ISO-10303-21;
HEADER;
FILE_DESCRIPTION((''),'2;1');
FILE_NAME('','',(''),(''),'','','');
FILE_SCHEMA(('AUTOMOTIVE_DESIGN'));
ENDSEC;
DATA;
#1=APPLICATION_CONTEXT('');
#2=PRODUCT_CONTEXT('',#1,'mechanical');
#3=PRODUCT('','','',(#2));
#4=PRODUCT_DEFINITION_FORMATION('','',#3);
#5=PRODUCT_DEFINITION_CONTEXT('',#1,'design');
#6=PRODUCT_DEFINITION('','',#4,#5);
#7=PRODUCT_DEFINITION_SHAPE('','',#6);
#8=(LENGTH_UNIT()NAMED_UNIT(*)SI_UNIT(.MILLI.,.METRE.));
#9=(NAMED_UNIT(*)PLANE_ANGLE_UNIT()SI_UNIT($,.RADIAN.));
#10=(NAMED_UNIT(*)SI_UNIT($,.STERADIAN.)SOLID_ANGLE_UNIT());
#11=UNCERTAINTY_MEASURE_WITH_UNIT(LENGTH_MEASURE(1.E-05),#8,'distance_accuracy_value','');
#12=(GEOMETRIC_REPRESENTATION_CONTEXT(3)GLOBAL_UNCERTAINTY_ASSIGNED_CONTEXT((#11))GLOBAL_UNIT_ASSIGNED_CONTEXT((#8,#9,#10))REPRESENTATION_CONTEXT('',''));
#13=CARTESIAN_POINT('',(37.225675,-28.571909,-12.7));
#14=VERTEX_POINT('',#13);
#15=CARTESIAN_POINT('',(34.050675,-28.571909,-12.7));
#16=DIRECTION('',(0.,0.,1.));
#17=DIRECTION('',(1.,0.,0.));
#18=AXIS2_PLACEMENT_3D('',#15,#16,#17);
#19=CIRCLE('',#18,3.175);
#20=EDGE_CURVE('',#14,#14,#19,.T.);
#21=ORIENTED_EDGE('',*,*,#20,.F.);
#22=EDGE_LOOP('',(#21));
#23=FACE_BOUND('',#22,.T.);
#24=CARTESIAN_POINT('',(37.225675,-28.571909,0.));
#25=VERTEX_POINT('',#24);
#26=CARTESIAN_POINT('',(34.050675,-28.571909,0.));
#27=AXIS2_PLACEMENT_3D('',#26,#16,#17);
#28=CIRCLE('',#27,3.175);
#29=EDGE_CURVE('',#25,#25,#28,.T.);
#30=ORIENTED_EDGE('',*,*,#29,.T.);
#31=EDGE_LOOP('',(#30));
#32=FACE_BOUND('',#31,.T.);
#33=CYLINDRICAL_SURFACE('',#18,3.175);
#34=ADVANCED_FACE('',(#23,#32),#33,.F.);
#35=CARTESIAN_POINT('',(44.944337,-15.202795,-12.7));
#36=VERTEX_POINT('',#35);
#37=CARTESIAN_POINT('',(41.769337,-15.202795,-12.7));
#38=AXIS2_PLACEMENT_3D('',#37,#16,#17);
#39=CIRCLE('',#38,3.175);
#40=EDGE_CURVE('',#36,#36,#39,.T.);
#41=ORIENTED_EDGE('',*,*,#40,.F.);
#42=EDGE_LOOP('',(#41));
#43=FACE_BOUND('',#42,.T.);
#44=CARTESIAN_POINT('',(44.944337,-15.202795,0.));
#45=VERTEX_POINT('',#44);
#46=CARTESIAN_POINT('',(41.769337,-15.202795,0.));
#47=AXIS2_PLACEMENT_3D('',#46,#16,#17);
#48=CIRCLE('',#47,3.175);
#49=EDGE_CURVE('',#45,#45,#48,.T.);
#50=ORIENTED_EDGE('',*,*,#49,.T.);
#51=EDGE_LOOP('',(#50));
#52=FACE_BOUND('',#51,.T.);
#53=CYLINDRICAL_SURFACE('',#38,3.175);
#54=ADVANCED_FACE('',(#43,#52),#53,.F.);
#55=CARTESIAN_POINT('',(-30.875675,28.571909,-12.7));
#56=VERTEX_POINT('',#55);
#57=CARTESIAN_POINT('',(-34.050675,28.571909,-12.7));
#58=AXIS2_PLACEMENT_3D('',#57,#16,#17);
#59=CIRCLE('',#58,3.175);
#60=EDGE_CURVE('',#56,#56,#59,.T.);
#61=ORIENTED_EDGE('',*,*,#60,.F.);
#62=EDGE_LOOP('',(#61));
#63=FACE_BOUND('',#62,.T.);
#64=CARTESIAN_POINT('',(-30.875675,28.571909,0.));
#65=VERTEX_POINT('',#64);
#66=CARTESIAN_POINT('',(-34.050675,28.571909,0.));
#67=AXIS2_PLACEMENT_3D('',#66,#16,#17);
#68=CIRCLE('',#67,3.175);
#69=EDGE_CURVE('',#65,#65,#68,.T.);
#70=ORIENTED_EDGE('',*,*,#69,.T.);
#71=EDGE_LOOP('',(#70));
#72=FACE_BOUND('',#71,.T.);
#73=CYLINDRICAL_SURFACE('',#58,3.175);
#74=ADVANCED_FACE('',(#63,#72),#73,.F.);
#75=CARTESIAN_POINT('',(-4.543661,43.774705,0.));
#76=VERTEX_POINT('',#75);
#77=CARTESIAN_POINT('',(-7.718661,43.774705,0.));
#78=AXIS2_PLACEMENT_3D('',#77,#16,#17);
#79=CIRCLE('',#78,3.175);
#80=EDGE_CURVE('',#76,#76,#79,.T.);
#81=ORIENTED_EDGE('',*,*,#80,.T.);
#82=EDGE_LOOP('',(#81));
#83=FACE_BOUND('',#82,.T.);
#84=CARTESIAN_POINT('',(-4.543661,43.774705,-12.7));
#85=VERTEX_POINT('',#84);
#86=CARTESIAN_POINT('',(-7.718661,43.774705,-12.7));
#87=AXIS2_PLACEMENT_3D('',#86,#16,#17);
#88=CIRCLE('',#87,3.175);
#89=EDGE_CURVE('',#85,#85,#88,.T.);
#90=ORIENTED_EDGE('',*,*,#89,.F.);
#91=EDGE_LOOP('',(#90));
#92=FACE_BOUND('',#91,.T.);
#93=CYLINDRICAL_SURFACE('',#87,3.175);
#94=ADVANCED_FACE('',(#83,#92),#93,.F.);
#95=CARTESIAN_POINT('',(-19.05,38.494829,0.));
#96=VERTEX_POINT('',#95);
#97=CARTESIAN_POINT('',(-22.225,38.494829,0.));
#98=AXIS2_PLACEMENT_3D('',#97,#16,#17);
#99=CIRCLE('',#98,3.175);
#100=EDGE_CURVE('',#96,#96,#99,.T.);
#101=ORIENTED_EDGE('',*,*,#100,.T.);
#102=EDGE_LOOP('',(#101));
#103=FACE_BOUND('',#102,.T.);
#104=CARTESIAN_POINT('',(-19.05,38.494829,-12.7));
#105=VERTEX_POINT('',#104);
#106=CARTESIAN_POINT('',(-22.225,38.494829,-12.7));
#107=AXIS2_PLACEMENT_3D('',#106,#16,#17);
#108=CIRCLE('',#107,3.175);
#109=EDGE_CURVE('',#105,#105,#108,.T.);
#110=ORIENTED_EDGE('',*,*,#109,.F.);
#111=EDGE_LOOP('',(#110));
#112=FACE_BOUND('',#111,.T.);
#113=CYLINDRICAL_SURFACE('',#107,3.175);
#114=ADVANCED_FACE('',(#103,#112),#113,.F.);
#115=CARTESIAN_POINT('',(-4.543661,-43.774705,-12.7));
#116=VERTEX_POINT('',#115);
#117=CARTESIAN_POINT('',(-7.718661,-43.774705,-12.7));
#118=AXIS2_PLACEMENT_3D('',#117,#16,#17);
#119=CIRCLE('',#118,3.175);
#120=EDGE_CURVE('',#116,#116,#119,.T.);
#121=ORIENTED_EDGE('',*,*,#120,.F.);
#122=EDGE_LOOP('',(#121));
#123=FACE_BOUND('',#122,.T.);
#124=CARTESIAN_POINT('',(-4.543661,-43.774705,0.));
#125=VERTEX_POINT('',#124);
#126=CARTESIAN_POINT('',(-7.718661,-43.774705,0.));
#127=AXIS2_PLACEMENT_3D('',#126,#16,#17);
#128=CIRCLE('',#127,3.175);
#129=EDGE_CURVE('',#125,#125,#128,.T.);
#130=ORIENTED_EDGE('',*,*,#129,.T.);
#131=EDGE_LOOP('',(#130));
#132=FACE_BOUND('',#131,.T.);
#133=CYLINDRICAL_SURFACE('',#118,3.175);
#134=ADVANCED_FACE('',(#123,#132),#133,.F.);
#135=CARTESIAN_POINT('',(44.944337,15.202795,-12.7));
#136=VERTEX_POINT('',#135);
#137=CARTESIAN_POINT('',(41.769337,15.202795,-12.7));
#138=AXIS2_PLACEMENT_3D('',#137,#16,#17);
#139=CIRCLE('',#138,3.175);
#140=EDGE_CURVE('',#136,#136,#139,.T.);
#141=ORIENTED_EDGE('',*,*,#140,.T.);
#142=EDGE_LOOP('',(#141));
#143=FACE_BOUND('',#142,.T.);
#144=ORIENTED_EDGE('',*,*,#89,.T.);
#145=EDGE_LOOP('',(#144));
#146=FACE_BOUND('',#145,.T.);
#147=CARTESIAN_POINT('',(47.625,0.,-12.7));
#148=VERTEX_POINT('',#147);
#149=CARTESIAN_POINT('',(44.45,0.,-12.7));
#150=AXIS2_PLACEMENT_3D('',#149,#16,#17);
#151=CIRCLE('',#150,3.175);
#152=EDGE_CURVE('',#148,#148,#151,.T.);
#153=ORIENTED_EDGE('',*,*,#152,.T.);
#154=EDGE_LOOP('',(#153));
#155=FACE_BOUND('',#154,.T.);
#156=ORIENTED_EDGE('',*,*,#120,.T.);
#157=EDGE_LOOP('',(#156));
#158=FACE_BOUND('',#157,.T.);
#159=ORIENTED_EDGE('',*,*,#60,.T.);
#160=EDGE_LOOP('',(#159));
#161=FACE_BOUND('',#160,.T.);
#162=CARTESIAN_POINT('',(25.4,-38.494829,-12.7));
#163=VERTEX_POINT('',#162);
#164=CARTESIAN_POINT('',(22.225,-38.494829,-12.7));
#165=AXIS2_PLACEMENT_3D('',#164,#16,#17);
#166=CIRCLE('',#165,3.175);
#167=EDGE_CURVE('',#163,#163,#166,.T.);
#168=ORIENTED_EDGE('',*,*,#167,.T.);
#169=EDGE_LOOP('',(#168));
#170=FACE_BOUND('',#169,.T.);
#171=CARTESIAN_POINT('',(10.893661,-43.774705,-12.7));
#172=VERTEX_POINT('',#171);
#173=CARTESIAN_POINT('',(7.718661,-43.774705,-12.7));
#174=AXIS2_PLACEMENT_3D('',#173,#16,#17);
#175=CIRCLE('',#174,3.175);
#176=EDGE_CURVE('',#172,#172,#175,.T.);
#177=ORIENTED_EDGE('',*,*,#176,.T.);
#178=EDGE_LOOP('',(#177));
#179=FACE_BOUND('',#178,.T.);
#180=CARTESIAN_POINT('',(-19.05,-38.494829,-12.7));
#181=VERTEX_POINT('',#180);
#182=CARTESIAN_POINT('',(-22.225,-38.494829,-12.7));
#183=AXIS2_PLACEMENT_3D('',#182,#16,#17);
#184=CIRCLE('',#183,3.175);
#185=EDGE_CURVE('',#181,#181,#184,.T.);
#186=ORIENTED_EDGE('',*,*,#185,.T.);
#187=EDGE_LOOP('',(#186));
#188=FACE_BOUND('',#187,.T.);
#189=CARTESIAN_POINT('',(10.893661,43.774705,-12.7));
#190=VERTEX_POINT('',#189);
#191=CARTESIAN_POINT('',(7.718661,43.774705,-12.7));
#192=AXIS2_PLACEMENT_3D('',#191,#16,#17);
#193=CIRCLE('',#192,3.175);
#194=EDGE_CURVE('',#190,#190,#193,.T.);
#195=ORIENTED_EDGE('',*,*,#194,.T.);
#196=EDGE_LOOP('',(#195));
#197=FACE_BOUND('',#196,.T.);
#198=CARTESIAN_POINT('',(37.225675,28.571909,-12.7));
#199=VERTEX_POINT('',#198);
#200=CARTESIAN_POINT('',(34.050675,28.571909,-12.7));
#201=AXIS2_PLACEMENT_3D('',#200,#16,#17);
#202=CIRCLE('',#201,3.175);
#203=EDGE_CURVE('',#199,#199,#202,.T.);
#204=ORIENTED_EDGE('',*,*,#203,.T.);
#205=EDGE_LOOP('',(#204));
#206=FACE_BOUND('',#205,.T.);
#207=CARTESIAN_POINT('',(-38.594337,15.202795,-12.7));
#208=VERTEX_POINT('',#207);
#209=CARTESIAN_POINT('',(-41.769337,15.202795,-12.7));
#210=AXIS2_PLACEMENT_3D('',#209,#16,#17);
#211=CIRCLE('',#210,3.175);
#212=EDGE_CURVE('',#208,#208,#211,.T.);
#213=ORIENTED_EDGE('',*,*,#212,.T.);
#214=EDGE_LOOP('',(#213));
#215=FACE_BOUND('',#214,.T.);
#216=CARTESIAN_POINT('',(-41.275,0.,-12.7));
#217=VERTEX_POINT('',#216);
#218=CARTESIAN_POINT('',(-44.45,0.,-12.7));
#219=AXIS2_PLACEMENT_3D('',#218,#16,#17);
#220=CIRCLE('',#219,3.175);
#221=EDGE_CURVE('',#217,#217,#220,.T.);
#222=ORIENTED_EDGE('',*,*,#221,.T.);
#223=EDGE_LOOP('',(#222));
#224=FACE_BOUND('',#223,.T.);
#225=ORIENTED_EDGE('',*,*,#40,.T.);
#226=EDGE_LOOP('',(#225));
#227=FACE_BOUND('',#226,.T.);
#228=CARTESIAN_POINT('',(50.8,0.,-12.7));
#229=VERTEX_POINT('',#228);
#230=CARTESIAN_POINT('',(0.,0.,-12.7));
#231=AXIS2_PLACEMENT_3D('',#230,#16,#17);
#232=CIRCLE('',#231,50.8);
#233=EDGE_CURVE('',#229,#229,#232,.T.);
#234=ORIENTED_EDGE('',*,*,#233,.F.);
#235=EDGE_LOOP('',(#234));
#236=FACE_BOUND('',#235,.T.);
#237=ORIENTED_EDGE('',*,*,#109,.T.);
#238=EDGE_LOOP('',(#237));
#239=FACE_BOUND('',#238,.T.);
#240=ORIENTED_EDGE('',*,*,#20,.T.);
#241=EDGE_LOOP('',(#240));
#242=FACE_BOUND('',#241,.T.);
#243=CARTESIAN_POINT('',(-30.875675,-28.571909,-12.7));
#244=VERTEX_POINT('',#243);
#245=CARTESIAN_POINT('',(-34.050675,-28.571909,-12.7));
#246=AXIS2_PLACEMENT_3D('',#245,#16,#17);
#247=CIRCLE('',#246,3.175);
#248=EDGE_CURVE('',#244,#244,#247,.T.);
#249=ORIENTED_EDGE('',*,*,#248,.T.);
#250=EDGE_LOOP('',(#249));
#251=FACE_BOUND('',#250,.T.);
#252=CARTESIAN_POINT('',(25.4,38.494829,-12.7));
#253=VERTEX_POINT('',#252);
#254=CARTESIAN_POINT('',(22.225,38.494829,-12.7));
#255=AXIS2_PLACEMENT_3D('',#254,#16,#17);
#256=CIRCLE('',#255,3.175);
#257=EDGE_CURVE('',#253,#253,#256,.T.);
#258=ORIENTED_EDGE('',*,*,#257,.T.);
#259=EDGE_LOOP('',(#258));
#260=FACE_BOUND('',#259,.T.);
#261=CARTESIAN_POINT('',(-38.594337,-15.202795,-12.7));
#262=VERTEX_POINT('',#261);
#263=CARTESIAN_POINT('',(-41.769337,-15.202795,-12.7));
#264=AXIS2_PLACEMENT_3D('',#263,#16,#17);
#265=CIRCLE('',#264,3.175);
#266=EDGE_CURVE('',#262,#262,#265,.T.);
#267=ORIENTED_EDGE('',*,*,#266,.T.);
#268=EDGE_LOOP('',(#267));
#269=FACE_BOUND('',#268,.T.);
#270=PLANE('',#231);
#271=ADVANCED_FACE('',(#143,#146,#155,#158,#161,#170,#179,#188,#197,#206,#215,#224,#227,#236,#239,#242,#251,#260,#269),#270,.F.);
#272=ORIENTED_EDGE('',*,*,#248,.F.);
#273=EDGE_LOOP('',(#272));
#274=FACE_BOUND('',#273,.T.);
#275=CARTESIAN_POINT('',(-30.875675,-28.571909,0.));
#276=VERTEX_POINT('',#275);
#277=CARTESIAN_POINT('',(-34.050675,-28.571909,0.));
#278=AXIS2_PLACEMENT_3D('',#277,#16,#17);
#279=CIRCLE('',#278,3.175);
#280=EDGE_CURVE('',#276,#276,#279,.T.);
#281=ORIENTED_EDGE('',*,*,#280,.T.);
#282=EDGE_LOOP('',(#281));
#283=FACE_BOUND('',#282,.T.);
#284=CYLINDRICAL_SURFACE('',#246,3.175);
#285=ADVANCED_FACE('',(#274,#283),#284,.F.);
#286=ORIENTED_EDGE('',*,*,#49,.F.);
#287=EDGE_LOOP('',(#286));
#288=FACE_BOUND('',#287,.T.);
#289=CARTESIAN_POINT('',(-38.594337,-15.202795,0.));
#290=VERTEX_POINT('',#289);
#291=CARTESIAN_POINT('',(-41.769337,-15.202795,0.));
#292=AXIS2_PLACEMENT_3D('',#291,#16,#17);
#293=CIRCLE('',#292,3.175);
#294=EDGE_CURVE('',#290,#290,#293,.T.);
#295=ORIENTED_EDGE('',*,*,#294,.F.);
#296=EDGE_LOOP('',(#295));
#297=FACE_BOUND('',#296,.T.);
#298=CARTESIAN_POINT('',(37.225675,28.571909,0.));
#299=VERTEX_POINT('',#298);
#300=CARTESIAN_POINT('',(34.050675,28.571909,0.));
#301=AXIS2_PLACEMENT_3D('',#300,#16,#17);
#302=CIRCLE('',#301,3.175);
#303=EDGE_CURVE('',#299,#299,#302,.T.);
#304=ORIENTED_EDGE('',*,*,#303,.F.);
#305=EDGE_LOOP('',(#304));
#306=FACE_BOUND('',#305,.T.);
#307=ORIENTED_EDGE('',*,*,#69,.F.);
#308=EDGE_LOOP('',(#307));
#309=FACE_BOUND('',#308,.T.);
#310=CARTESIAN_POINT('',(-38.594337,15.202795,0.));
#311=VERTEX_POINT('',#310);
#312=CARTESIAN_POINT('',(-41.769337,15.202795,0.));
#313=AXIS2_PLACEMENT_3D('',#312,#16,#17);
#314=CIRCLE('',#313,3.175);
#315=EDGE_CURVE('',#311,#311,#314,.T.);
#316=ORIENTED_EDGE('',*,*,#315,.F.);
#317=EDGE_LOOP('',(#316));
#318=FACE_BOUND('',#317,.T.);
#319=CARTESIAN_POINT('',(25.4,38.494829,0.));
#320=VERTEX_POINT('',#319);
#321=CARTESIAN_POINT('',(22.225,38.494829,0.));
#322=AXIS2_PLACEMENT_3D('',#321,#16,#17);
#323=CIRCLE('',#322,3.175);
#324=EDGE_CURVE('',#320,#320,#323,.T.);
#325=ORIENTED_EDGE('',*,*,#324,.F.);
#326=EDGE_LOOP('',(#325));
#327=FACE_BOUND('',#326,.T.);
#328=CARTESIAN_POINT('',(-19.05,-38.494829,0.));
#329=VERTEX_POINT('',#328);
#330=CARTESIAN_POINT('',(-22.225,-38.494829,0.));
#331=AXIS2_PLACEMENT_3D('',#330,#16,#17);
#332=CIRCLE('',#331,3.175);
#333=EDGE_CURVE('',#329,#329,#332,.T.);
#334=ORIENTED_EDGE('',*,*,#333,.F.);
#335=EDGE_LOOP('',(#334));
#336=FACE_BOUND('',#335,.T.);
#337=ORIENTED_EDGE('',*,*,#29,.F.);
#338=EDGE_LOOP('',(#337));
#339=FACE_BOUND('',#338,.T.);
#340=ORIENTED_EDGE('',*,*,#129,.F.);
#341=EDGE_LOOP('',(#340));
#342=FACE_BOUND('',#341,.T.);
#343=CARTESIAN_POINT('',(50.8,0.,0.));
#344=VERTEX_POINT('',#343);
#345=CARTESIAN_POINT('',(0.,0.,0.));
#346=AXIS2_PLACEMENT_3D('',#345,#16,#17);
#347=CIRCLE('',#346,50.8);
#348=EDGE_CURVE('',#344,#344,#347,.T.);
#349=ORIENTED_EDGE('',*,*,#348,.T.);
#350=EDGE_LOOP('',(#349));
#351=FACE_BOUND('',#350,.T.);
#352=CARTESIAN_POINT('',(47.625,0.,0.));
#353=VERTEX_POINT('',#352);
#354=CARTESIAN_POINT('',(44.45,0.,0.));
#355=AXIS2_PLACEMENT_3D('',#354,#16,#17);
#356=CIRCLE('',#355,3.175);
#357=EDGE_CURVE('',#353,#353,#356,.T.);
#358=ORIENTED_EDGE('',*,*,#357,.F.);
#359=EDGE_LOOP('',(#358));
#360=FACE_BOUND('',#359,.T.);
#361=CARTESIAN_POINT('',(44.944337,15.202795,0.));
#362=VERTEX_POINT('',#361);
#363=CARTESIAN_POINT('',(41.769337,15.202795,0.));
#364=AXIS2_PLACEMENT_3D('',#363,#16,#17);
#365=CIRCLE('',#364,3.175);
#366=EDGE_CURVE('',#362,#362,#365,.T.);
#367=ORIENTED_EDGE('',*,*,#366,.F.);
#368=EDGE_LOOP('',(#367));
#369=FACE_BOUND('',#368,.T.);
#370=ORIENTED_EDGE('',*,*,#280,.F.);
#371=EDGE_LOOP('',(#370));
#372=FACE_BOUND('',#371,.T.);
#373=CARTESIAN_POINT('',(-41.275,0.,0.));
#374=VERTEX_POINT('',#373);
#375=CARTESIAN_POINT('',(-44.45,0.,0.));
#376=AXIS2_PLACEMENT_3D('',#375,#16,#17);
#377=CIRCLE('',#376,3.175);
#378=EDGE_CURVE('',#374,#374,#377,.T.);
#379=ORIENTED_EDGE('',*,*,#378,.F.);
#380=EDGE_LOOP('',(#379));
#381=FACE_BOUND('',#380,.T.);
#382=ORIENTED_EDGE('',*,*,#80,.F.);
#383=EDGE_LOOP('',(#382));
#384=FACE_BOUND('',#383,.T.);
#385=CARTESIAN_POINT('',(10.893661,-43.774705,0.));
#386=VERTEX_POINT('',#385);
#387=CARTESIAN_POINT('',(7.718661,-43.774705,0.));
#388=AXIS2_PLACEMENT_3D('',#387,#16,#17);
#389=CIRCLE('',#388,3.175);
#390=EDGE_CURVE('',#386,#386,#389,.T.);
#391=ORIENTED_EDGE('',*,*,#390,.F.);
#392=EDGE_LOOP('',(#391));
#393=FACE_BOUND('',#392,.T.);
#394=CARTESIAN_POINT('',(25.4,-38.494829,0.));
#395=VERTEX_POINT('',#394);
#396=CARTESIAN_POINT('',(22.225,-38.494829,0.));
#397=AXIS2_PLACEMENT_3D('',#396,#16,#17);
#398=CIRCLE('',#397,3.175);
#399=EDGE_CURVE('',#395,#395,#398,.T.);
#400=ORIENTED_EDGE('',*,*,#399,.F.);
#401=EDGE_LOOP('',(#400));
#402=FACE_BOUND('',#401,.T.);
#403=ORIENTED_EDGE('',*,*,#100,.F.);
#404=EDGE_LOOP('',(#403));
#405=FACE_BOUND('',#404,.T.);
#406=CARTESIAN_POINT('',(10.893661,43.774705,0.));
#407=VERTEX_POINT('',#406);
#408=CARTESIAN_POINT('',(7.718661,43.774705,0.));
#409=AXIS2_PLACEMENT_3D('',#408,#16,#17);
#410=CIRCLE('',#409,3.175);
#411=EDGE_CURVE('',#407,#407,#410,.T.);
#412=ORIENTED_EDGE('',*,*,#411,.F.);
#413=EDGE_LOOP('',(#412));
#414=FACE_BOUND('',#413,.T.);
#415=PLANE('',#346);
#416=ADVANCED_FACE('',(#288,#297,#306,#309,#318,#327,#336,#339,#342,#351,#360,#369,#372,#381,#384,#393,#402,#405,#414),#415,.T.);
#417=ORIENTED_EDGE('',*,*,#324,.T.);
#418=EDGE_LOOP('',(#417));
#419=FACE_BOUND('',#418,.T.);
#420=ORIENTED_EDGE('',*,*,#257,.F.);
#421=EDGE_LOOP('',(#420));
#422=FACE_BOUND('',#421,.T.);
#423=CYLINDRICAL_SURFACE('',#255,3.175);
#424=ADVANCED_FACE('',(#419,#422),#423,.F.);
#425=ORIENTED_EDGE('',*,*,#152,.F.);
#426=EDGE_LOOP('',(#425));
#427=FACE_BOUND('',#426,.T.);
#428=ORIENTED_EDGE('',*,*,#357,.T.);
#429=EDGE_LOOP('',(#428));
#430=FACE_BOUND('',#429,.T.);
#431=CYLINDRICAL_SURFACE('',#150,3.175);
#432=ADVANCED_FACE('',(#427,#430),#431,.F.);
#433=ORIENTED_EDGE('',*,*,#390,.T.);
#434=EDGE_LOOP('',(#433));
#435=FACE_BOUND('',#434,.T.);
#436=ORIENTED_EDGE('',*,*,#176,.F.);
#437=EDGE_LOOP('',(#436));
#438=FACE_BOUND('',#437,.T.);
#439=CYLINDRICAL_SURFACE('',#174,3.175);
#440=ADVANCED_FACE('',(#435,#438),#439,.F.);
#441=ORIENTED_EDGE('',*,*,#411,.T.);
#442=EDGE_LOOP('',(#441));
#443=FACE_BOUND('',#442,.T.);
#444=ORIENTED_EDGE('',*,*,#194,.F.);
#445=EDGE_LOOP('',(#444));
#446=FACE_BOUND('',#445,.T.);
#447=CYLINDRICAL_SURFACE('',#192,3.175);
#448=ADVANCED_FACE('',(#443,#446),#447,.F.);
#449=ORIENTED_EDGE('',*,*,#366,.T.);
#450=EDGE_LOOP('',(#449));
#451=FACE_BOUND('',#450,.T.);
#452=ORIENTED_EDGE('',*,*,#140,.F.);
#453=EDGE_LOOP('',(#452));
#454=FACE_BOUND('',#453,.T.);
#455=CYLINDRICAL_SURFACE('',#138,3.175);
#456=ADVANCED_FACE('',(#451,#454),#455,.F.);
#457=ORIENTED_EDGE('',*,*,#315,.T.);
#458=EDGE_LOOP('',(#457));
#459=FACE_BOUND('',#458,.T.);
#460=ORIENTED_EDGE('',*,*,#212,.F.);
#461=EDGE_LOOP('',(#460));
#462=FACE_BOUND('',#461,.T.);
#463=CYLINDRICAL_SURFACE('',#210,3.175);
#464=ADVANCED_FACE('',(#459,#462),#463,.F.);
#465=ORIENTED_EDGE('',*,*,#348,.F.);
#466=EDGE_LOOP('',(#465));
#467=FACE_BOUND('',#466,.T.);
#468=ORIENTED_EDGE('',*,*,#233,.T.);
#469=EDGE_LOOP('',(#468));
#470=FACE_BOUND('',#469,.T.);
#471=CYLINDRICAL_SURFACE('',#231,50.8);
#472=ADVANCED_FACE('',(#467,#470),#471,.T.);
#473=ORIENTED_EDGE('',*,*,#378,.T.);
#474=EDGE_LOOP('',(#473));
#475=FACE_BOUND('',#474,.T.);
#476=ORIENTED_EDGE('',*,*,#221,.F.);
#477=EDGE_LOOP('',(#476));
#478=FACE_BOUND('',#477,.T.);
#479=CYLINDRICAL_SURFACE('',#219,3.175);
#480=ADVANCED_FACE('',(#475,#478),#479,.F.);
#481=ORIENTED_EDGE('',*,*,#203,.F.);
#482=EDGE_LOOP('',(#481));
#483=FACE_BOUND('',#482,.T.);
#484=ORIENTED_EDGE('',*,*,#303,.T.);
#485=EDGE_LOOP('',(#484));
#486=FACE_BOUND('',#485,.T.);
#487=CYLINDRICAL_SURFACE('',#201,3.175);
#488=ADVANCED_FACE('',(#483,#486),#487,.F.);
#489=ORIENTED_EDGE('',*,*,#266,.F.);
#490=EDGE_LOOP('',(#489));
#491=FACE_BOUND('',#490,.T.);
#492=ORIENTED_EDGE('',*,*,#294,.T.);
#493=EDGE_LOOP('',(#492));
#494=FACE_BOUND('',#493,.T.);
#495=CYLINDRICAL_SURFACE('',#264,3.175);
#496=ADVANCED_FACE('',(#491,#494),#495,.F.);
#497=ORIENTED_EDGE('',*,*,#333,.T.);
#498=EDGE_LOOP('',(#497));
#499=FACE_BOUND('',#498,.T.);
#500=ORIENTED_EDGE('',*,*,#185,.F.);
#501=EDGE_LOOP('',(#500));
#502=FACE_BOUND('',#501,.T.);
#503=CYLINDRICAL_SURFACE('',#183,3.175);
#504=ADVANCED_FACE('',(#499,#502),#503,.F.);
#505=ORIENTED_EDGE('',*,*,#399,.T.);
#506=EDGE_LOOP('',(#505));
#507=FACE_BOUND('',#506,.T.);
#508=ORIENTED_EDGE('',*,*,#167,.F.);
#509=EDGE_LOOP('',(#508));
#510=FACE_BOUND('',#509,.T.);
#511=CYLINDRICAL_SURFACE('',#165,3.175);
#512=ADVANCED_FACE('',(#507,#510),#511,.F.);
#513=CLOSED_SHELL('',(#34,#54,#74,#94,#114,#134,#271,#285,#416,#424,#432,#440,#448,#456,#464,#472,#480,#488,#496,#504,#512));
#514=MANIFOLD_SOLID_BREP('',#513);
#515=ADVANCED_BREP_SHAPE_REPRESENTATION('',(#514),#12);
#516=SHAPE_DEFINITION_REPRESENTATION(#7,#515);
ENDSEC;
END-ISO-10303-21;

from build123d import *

# Parameters (mm, degrees)
SKETCH1_R           = 50.8
BOSS_EXTRUDE2_DEPTH = 12.7
SKETCH1_7_R         = 3.175
CUT_EXTRUDE1_DEPTH  = 12.7


with BuildPart() as part:
    # Sketch1 → Boss-Extrude2 (new body)
    with BuildSketch(Plane.XY):
        Circle(SKETCH1_R)
    extrude(amount=-BOSS_EXTRUDE2_DEPTH)

    # Sketch1<7> → Cut-Extrude1 (cut)
    with BuildSketch(Plane.XY):
        with Locations((-44.45, 0)):
            Circle(SKETCH1_7_R)
        with Locations((-41.769336994, 15.202795371)):
            Circle(SKETCH1_7_R)
        with Locations((-34.050675497, 28.571909251)):
            Circle(SKETCH1_7_R)
        with Locations((-22.225, 38.494829198)):
            Circle(SKETCH1_7_R)
        with Locations((-7.718661497, 43.774704621)):
            Circle(SKETCH1_7_R)
        with Locations((7.718661497, 43.774704621)):
            Circle(SKETCH1_7_R)
        with Locations((22.225, 38.494829198)):
            Circle(SKETCH1_7_R)
        with Locations((34.050675497, 28.571909251)):
            Circle(SKETCH1_7_R)
        with Locations((41.769336994, 15.202795371)):
            Circle(SKETCH1_7_R)
        with Locations((44.45, 0)):
            Circle(SKETCH1_7_R)
        with Locations((41.769336994, -15.202795371)):
            Circle(SKETCH1_7_R)
        with Locations((34.050675497, -28.571909251)):
            Circle(SKETCH1_7_R)
        with Locations((22.225, -38.494829198)):
            Circle(SKETCH1_7_R)
        with Locations((7.718661497, -43.774704621)):
            Circle(SKETCH1_7_R)
        with Locations((-7.718661497, -43.774704621)):
            Circle(SKETCH1_7_R)
        with Locations((-22.225, -38.494829198)):
            Circle(SKETCH1_7_R)
        with Locations((-34.050675497, -28.571909251)):
            Circle(SKETCH1_7_R)
        with Locations((-41.769336994, -15.202795371)):
            Circle(SKETCH1_7_R)
    extrude(amount=-CUT_EXTRUDE1_DEPTH, mode=Mode.SUBTRACT)


solid = part.part
